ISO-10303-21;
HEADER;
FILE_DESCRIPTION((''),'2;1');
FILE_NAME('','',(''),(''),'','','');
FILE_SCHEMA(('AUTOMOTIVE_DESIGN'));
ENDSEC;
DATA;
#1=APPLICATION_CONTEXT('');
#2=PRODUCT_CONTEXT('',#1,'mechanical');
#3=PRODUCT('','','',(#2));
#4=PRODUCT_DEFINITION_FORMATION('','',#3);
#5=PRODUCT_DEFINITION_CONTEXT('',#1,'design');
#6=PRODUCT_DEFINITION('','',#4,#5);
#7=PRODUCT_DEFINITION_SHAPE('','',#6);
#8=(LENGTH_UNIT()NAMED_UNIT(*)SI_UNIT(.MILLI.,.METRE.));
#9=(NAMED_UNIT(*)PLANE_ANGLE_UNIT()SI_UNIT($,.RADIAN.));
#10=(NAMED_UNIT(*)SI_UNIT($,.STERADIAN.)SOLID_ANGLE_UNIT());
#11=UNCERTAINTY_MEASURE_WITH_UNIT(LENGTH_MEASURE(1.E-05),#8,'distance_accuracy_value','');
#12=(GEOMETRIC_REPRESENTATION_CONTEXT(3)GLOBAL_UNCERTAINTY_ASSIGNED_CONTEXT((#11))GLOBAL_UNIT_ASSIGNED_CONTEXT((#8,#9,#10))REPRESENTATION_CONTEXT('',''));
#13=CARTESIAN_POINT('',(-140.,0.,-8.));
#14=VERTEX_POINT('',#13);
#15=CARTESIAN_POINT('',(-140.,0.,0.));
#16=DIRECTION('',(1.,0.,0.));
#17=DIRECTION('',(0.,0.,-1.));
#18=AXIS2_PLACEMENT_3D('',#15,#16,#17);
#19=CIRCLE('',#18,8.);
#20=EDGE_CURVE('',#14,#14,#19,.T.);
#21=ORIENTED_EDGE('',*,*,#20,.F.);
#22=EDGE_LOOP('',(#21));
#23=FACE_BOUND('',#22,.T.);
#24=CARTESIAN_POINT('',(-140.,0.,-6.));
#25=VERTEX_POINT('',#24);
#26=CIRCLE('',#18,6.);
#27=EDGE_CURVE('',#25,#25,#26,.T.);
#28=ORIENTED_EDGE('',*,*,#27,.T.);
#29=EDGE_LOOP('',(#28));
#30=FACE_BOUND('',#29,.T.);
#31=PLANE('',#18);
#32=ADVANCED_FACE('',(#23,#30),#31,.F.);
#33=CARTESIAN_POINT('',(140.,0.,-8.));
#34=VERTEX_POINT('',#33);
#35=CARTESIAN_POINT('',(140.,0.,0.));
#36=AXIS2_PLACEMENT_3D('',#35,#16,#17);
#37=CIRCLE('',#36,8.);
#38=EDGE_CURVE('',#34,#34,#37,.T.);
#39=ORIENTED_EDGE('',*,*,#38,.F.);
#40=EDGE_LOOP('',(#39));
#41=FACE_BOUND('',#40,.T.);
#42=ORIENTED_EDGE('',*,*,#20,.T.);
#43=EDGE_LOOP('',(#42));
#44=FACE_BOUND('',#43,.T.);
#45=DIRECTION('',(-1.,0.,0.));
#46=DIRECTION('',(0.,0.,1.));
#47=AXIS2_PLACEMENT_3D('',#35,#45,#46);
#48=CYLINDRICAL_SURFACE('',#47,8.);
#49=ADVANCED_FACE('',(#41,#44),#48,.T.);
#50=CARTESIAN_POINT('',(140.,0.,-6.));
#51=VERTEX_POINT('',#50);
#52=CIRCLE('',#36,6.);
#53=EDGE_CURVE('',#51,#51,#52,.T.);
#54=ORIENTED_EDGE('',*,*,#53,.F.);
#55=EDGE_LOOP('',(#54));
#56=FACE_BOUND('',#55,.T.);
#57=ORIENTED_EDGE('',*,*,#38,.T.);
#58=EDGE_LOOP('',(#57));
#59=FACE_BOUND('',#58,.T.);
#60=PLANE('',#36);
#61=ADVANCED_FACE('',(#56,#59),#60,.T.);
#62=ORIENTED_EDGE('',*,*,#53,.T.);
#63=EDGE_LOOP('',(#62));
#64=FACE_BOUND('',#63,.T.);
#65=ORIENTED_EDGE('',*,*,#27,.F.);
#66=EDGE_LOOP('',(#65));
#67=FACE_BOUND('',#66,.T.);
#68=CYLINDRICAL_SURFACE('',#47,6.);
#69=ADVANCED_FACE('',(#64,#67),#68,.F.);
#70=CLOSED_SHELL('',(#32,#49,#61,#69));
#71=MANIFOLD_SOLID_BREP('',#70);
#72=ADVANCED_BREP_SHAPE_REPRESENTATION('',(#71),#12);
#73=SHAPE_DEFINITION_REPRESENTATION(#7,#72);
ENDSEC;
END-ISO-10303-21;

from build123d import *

# Parameters (mm, degrees)
SKETCH1_R           = 8
SKETCH1_R_2         = 6
BOSS_EXTRUDE1_DEPTH = 140


with BuildPart() as part:
    # Sketch1 → Boss-Extrude1 (new body, symmetric)
    with BuildSketch(Plane(origin=(0, 0, 0), x_dir=(0, 0, -1), z_dir=(1, 0, 0))):
        Circle(SKETCH1_R)
        Circle(SKETCH1_R_2, mode=Mode.SUBTRACT)
    extrude(amount=BOSS_EXTRUDE1_DEPTH, both=True)


solid = part.part
